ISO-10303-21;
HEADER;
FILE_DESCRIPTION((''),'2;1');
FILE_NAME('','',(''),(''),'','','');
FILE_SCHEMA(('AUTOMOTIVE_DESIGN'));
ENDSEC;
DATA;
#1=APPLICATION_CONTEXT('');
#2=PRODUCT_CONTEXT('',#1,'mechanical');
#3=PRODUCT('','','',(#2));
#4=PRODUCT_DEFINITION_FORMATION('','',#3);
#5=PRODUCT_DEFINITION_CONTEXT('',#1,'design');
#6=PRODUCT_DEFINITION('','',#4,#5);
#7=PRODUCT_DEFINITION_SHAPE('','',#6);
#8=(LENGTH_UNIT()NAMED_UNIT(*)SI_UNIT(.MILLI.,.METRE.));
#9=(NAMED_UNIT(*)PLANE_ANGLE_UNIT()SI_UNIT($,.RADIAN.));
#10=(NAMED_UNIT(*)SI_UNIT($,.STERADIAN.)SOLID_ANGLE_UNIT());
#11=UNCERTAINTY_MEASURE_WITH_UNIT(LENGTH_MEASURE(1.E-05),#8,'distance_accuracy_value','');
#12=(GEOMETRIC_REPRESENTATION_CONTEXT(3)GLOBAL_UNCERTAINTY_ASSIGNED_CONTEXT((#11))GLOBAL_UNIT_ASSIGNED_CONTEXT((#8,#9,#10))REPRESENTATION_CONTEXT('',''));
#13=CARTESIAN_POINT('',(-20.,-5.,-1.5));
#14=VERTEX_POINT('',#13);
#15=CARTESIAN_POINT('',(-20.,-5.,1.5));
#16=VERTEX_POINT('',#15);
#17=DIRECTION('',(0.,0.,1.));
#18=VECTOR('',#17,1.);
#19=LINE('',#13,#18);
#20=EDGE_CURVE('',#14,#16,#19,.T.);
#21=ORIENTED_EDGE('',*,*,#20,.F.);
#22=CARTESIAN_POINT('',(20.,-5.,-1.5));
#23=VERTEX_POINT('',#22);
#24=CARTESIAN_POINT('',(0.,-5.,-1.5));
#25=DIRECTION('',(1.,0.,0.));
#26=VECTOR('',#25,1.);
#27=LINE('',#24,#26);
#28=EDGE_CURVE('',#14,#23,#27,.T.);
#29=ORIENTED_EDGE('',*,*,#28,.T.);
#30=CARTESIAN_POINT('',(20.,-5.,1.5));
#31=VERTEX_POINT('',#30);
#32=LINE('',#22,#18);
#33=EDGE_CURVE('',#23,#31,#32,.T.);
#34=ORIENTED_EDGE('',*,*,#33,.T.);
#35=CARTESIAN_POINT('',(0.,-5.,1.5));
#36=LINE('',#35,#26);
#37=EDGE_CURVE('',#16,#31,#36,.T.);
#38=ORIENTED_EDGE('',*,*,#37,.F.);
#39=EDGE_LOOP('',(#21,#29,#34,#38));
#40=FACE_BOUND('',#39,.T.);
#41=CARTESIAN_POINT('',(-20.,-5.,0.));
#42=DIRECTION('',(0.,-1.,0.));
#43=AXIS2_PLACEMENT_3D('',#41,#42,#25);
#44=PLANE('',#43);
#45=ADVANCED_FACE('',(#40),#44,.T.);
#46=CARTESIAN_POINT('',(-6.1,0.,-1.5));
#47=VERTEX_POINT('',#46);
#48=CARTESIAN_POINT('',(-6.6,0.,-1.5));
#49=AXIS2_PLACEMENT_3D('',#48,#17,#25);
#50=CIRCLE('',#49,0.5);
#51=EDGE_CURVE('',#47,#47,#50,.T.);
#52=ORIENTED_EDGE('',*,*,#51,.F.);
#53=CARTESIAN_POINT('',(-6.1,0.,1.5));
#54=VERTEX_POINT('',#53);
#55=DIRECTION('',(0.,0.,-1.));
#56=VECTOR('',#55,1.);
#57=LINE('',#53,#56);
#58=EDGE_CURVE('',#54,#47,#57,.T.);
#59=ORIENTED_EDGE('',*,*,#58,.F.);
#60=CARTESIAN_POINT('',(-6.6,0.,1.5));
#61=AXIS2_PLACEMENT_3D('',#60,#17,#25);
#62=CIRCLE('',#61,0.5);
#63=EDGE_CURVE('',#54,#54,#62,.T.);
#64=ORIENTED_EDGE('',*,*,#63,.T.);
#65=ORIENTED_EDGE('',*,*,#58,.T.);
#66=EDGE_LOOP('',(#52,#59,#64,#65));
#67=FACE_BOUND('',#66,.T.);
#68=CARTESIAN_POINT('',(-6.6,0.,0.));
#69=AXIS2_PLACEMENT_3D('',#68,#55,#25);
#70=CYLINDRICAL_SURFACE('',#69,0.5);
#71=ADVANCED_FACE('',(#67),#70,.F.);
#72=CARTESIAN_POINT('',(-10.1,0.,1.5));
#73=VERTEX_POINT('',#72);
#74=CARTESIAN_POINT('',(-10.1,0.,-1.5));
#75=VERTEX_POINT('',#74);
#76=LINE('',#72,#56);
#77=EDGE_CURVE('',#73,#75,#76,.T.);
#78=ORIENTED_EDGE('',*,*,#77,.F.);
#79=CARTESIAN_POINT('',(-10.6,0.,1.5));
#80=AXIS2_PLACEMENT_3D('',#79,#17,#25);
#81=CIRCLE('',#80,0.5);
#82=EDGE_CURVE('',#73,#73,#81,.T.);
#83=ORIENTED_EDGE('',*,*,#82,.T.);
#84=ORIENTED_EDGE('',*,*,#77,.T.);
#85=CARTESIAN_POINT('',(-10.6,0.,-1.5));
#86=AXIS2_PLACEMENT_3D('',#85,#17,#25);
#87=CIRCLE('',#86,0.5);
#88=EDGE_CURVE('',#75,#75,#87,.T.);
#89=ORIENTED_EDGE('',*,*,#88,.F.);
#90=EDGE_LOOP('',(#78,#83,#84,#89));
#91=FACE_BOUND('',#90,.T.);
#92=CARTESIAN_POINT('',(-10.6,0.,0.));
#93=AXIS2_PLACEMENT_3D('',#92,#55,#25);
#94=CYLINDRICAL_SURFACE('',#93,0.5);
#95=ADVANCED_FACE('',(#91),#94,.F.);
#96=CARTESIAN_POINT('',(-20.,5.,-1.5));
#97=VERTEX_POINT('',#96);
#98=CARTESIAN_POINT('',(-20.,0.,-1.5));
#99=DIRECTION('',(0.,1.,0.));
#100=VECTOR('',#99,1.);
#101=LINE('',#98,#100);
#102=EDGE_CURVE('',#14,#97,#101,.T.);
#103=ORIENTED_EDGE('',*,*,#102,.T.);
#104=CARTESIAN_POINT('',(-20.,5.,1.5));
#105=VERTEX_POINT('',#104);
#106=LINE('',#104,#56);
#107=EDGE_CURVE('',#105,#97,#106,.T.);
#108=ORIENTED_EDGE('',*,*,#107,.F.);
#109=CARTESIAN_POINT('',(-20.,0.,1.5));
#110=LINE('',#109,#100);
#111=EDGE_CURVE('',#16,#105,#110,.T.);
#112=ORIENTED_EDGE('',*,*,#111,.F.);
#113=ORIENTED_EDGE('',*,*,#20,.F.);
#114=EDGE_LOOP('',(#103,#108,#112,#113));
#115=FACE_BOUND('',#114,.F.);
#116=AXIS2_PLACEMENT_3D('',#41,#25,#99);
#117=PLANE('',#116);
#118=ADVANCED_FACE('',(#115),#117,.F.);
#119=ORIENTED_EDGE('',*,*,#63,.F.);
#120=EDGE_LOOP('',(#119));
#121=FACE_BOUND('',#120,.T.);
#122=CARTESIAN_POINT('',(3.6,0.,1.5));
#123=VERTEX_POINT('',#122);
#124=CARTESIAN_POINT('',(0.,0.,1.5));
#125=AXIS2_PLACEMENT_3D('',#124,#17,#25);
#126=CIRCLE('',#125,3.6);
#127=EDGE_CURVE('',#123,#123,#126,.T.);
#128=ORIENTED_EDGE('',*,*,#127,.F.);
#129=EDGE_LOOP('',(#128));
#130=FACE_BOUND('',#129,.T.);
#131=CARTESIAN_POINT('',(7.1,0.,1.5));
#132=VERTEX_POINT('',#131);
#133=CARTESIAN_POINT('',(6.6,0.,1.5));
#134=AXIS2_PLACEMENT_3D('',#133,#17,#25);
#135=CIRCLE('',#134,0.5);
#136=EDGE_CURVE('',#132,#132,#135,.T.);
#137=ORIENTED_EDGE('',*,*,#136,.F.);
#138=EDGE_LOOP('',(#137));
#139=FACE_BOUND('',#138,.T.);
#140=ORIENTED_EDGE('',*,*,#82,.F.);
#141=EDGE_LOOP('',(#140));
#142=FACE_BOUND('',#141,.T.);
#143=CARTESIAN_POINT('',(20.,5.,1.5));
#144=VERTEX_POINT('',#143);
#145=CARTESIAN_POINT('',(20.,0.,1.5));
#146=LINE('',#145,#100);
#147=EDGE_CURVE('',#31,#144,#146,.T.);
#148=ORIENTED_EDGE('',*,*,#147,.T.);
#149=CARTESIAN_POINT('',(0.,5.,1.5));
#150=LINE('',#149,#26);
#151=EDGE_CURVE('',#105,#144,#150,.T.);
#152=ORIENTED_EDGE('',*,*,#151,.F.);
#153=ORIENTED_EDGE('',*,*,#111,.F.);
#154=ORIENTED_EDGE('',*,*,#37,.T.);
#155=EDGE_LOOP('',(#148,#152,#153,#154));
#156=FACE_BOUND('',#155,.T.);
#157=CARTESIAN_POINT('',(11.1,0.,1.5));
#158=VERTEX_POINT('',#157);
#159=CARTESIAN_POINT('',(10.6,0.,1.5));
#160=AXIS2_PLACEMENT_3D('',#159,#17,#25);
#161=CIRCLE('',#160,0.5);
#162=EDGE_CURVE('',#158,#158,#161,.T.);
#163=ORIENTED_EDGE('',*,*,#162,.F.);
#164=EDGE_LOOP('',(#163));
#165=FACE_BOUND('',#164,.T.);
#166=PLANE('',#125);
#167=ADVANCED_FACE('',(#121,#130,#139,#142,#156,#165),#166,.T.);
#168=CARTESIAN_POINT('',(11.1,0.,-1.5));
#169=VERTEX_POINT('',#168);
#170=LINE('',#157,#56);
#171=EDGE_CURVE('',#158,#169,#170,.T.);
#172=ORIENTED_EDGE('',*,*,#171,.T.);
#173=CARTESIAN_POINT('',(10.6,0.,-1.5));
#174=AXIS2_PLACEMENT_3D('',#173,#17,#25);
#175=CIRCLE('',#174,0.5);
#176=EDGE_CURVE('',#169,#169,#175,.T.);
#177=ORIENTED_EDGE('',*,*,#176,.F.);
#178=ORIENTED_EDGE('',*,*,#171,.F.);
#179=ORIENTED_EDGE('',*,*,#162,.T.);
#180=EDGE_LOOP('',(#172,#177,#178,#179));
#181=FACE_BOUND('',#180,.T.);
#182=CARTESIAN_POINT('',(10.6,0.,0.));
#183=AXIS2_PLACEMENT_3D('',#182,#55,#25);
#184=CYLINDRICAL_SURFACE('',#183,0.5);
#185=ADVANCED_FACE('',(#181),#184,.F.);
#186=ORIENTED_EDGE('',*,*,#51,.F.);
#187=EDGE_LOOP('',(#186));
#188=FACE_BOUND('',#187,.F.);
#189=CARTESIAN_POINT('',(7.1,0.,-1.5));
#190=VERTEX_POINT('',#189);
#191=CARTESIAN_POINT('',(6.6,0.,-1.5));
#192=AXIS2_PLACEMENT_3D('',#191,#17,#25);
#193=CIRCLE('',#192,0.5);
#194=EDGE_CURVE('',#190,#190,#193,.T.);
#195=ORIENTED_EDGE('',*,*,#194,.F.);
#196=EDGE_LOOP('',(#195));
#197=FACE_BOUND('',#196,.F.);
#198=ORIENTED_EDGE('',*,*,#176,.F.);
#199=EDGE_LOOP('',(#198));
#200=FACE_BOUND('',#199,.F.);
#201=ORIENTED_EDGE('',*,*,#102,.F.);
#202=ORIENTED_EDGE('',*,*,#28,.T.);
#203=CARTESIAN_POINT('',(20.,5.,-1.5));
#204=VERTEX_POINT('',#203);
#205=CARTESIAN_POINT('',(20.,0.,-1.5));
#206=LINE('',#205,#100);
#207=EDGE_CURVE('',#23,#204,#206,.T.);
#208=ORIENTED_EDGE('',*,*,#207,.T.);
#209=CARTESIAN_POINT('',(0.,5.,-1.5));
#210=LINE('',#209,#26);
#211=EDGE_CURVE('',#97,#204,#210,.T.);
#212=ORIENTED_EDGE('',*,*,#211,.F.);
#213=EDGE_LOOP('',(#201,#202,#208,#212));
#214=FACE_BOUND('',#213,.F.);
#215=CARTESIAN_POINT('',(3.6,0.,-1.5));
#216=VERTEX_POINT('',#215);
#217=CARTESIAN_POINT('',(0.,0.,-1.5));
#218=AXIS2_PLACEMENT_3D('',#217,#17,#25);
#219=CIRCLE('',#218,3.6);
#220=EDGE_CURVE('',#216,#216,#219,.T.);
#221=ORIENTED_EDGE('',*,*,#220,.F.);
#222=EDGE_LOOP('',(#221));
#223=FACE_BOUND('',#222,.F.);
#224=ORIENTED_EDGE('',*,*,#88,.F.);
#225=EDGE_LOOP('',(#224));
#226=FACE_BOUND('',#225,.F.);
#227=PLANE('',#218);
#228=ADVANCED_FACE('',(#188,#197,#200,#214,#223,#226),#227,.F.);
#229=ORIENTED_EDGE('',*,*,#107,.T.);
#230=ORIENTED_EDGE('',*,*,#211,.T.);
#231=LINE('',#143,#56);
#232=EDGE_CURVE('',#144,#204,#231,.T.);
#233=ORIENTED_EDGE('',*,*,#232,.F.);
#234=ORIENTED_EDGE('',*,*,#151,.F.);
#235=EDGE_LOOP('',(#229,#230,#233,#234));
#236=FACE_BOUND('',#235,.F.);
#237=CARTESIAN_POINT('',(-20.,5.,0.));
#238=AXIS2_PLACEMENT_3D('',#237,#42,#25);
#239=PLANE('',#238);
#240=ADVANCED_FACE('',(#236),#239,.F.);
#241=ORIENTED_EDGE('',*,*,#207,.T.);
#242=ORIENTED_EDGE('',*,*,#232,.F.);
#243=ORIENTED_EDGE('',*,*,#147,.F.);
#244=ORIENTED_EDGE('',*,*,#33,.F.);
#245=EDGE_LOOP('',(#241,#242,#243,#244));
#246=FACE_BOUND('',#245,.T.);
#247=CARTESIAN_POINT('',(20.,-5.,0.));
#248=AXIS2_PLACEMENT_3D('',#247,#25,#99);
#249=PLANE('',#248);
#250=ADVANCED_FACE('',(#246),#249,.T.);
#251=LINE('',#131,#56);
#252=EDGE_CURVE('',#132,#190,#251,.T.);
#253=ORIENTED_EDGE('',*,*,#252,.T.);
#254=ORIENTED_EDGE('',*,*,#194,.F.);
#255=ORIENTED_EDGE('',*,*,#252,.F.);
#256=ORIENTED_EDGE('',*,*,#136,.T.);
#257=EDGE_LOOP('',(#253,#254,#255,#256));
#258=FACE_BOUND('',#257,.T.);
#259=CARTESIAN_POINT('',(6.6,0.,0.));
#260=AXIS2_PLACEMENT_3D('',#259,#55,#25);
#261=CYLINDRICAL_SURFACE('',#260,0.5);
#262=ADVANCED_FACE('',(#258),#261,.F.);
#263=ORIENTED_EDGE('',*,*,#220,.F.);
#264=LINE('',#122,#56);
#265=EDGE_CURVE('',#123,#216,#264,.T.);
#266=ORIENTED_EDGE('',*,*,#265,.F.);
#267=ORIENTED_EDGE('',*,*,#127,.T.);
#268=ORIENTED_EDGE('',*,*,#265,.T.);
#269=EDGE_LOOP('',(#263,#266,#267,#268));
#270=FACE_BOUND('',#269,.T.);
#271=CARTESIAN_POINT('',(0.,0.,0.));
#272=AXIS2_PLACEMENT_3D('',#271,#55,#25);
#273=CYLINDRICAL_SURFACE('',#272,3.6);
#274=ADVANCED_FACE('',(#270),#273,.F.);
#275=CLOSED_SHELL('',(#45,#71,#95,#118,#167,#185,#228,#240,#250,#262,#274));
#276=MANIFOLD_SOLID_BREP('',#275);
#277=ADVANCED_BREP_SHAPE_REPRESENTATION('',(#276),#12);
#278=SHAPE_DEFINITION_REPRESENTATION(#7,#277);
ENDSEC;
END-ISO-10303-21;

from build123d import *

# Parameters (mm, degrees)
F0_W     = 40
F0_H     = 10
F0_R     = 0.5
F0_R_2   = 3.6
F1_DEPTH = 1.5


with BuildPart() as f1:
    # F0 (on Top) → F1 (new body, symmetric)
    with BuildSketch(Plane.XY):
        Rectangle(F0_W, F0_H)
        with Locations((-10.6, 0)):
            Circle(F0_R, mode=Mode.SUBTRACT)
        with Locations((-6.6, 0)):
            Circle(F0_R, mode=Mode.SUBTRACT)
        Circle(F0_R_2, mode=Mode.SUBTRACT)
        with Locations((6.6, 0)):
            Circle(F0_R, mode=Mode.SUBTRACT)
        with Locations((10.6, 0)):
            Circle(F0_R, mode=Mode.SUBTRACT)
    extrude(amount=F1_DEPTH, both=True)


solid = f1.part
